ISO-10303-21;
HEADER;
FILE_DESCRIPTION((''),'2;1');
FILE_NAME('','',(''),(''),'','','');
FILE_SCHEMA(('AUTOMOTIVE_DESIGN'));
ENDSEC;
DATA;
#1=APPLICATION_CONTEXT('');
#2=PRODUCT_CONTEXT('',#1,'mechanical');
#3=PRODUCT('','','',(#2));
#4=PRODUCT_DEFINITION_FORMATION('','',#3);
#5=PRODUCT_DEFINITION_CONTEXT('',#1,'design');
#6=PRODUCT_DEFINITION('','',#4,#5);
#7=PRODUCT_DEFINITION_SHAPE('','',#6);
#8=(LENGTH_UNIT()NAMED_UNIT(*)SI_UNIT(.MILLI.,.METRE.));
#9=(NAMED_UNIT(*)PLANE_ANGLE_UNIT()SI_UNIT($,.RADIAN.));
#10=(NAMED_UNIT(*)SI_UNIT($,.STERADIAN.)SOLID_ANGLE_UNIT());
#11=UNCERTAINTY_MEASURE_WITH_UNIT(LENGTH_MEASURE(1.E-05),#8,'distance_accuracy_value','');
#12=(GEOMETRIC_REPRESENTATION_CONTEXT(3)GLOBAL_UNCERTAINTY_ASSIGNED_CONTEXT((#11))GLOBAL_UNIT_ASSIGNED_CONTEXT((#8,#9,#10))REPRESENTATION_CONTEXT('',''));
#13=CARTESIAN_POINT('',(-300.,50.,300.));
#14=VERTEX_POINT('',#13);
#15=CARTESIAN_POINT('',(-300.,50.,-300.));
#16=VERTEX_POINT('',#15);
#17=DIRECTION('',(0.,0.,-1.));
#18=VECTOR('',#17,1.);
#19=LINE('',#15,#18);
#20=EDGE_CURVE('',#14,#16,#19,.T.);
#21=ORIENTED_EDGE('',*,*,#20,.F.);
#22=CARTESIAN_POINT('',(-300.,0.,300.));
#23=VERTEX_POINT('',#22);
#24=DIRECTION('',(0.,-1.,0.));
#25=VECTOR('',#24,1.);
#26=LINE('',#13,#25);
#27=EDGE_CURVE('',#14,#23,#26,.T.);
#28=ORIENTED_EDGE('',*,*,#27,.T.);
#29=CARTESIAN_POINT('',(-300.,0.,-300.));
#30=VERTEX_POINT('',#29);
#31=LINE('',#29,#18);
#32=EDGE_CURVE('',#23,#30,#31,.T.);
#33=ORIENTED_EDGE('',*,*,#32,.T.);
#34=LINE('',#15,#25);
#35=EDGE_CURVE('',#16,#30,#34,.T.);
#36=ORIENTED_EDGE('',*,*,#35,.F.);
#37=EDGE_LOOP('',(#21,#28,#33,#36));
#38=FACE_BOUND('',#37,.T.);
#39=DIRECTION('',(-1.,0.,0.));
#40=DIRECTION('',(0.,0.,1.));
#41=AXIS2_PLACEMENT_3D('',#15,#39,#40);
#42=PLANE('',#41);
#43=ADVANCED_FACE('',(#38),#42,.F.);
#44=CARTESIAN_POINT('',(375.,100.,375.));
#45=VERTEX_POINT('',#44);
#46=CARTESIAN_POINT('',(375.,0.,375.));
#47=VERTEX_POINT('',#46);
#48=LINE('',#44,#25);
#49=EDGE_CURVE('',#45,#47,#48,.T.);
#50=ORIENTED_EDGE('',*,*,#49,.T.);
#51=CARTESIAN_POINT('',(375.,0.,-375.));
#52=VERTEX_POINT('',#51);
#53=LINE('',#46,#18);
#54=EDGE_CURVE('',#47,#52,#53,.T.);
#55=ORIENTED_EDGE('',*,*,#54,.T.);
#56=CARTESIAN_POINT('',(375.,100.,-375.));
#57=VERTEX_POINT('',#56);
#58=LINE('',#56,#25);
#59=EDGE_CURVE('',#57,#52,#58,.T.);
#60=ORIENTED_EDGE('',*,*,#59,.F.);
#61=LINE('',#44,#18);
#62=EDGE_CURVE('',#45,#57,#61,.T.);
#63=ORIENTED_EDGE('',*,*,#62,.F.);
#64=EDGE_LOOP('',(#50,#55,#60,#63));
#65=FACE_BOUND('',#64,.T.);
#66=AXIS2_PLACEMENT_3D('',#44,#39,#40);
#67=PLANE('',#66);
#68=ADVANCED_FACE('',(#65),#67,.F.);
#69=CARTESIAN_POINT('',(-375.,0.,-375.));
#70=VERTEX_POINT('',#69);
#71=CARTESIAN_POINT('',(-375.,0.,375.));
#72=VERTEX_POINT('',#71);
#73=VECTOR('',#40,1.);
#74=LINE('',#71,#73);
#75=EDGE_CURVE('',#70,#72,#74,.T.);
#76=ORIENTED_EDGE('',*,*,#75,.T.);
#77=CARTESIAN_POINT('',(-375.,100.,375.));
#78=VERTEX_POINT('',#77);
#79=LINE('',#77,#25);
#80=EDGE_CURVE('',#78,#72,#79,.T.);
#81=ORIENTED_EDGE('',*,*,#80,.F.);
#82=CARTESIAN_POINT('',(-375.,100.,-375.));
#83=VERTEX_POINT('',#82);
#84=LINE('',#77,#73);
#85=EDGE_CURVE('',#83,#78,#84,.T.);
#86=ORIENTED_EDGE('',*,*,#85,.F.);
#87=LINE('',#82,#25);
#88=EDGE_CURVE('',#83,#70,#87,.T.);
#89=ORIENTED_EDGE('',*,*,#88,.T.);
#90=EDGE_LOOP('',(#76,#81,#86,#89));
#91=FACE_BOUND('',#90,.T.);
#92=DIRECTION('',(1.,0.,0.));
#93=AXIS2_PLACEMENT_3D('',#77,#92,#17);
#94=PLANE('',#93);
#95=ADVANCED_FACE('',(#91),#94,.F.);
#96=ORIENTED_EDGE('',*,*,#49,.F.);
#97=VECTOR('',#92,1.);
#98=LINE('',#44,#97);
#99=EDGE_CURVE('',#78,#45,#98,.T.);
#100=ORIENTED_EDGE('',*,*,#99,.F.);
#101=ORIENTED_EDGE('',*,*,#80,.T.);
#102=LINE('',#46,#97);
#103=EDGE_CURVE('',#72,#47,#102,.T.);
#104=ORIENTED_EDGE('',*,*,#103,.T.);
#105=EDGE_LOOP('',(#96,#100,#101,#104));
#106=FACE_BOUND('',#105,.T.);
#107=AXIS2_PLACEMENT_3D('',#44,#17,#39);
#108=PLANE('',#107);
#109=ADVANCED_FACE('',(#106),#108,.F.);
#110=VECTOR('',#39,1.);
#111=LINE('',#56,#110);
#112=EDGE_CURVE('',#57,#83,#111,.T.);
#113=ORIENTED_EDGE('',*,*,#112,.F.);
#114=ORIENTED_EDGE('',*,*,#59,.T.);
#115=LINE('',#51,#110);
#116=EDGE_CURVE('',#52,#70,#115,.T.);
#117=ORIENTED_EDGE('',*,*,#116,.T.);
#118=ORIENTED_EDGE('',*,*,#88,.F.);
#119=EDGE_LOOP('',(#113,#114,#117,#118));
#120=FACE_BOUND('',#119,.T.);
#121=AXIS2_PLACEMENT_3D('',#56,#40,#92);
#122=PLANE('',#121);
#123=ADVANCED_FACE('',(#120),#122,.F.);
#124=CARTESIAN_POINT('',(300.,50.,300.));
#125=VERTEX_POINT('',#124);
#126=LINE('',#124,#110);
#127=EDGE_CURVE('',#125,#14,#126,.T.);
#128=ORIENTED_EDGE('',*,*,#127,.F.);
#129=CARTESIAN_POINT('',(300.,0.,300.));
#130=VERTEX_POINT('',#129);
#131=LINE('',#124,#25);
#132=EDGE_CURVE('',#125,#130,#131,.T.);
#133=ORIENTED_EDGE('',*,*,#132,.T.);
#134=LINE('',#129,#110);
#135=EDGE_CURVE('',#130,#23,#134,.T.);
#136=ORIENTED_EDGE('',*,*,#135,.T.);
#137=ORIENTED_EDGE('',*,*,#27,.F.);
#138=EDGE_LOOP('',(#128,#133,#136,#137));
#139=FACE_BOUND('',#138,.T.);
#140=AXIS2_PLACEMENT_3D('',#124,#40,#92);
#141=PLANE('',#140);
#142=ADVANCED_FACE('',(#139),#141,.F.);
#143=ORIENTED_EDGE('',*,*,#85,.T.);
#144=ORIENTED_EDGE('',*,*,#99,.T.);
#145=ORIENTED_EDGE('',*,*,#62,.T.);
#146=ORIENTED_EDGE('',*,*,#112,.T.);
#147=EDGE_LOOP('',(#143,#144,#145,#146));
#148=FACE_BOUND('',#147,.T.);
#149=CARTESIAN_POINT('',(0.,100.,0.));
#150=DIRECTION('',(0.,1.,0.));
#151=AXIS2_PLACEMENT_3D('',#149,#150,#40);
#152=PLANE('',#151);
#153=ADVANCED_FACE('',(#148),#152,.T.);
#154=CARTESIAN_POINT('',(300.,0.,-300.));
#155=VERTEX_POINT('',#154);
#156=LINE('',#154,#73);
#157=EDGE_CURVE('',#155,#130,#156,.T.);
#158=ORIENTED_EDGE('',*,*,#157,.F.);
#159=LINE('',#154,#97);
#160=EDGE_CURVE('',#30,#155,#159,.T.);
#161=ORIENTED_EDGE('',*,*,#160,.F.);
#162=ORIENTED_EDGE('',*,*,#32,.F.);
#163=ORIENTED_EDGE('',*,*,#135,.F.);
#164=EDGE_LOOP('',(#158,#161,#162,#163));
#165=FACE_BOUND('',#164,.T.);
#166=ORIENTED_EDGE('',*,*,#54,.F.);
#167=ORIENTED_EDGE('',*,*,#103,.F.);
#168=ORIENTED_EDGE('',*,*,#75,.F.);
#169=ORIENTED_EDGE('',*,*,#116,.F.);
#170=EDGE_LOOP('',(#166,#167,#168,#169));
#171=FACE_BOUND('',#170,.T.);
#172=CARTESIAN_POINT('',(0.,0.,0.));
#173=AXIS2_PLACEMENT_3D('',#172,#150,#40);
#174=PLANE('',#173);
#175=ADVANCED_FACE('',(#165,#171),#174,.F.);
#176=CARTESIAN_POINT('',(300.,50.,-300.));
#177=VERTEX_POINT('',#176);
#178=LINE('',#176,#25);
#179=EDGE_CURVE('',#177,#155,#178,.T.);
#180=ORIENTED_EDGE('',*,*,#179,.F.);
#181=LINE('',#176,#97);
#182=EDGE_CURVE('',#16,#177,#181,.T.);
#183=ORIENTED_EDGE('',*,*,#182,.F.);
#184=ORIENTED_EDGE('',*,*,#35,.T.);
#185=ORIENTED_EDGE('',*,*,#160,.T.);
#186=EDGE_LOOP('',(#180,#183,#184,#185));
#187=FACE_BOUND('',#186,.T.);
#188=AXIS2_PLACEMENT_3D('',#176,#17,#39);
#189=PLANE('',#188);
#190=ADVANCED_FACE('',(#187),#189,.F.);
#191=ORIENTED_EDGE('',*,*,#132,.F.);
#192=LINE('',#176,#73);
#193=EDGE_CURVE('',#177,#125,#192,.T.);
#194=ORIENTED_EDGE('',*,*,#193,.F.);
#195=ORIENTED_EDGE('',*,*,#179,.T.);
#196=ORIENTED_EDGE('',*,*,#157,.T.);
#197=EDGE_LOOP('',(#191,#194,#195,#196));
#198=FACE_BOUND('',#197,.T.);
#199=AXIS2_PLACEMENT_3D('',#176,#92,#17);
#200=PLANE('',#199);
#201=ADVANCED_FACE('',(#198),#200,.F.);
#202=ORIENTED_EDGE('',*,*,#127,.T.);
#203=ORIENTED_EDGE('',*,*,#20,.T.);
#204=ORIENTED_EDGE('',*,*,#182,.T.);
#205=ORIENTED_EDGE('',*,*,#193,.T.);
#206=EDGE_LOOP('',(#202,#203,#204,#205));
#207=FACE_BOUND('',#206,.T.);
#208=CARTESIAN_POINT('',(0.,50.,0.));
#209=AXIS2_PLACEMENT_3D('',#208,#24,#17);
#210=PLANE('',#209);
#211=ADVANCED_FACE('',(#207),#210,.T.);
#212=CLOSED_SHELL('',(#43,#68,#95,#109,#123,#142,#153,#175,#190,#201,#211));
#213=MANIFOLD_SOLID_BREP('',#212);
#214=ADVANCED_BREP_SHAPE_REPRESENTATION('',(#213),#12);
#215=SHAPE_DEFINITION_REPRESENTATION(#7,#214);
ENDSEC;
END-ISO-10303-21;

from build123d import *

# Parameters (mm, degrees)
SKETCH1_W           = 750
SKETCH1_H           = 750
BOSS_EXTRUDE1_DEPTH = 100
SKETCH3_W           = 600
SKETCH3_H           = 600
CUT_EXTRUDE2_DEPTH  = 50


with BuildPart() as part:
    # Sketch1 → Boss-Extrude1 (new body)
    with BuildSketch(Plane(origin=(0, 0, 0), x_dir=(1, 0, 0), z_dir=(0, 1, 0))):
        Rectangle(SKETCH1_W, SKETCH1_H)
    extrude(amount=BOSS_EXTRUDE1_DEPTH)

    # Sketch3 → Cut-Extrude2 (cut)
    with BuildSketch(Plane.XZ):
        Rectangle(SKETCH3_W, SKETCH3_H)
    extrude(amount=-CUT_EXTRUDE2_DEPTH, mode=Mode.SUBTRACT)


solid = part.part
